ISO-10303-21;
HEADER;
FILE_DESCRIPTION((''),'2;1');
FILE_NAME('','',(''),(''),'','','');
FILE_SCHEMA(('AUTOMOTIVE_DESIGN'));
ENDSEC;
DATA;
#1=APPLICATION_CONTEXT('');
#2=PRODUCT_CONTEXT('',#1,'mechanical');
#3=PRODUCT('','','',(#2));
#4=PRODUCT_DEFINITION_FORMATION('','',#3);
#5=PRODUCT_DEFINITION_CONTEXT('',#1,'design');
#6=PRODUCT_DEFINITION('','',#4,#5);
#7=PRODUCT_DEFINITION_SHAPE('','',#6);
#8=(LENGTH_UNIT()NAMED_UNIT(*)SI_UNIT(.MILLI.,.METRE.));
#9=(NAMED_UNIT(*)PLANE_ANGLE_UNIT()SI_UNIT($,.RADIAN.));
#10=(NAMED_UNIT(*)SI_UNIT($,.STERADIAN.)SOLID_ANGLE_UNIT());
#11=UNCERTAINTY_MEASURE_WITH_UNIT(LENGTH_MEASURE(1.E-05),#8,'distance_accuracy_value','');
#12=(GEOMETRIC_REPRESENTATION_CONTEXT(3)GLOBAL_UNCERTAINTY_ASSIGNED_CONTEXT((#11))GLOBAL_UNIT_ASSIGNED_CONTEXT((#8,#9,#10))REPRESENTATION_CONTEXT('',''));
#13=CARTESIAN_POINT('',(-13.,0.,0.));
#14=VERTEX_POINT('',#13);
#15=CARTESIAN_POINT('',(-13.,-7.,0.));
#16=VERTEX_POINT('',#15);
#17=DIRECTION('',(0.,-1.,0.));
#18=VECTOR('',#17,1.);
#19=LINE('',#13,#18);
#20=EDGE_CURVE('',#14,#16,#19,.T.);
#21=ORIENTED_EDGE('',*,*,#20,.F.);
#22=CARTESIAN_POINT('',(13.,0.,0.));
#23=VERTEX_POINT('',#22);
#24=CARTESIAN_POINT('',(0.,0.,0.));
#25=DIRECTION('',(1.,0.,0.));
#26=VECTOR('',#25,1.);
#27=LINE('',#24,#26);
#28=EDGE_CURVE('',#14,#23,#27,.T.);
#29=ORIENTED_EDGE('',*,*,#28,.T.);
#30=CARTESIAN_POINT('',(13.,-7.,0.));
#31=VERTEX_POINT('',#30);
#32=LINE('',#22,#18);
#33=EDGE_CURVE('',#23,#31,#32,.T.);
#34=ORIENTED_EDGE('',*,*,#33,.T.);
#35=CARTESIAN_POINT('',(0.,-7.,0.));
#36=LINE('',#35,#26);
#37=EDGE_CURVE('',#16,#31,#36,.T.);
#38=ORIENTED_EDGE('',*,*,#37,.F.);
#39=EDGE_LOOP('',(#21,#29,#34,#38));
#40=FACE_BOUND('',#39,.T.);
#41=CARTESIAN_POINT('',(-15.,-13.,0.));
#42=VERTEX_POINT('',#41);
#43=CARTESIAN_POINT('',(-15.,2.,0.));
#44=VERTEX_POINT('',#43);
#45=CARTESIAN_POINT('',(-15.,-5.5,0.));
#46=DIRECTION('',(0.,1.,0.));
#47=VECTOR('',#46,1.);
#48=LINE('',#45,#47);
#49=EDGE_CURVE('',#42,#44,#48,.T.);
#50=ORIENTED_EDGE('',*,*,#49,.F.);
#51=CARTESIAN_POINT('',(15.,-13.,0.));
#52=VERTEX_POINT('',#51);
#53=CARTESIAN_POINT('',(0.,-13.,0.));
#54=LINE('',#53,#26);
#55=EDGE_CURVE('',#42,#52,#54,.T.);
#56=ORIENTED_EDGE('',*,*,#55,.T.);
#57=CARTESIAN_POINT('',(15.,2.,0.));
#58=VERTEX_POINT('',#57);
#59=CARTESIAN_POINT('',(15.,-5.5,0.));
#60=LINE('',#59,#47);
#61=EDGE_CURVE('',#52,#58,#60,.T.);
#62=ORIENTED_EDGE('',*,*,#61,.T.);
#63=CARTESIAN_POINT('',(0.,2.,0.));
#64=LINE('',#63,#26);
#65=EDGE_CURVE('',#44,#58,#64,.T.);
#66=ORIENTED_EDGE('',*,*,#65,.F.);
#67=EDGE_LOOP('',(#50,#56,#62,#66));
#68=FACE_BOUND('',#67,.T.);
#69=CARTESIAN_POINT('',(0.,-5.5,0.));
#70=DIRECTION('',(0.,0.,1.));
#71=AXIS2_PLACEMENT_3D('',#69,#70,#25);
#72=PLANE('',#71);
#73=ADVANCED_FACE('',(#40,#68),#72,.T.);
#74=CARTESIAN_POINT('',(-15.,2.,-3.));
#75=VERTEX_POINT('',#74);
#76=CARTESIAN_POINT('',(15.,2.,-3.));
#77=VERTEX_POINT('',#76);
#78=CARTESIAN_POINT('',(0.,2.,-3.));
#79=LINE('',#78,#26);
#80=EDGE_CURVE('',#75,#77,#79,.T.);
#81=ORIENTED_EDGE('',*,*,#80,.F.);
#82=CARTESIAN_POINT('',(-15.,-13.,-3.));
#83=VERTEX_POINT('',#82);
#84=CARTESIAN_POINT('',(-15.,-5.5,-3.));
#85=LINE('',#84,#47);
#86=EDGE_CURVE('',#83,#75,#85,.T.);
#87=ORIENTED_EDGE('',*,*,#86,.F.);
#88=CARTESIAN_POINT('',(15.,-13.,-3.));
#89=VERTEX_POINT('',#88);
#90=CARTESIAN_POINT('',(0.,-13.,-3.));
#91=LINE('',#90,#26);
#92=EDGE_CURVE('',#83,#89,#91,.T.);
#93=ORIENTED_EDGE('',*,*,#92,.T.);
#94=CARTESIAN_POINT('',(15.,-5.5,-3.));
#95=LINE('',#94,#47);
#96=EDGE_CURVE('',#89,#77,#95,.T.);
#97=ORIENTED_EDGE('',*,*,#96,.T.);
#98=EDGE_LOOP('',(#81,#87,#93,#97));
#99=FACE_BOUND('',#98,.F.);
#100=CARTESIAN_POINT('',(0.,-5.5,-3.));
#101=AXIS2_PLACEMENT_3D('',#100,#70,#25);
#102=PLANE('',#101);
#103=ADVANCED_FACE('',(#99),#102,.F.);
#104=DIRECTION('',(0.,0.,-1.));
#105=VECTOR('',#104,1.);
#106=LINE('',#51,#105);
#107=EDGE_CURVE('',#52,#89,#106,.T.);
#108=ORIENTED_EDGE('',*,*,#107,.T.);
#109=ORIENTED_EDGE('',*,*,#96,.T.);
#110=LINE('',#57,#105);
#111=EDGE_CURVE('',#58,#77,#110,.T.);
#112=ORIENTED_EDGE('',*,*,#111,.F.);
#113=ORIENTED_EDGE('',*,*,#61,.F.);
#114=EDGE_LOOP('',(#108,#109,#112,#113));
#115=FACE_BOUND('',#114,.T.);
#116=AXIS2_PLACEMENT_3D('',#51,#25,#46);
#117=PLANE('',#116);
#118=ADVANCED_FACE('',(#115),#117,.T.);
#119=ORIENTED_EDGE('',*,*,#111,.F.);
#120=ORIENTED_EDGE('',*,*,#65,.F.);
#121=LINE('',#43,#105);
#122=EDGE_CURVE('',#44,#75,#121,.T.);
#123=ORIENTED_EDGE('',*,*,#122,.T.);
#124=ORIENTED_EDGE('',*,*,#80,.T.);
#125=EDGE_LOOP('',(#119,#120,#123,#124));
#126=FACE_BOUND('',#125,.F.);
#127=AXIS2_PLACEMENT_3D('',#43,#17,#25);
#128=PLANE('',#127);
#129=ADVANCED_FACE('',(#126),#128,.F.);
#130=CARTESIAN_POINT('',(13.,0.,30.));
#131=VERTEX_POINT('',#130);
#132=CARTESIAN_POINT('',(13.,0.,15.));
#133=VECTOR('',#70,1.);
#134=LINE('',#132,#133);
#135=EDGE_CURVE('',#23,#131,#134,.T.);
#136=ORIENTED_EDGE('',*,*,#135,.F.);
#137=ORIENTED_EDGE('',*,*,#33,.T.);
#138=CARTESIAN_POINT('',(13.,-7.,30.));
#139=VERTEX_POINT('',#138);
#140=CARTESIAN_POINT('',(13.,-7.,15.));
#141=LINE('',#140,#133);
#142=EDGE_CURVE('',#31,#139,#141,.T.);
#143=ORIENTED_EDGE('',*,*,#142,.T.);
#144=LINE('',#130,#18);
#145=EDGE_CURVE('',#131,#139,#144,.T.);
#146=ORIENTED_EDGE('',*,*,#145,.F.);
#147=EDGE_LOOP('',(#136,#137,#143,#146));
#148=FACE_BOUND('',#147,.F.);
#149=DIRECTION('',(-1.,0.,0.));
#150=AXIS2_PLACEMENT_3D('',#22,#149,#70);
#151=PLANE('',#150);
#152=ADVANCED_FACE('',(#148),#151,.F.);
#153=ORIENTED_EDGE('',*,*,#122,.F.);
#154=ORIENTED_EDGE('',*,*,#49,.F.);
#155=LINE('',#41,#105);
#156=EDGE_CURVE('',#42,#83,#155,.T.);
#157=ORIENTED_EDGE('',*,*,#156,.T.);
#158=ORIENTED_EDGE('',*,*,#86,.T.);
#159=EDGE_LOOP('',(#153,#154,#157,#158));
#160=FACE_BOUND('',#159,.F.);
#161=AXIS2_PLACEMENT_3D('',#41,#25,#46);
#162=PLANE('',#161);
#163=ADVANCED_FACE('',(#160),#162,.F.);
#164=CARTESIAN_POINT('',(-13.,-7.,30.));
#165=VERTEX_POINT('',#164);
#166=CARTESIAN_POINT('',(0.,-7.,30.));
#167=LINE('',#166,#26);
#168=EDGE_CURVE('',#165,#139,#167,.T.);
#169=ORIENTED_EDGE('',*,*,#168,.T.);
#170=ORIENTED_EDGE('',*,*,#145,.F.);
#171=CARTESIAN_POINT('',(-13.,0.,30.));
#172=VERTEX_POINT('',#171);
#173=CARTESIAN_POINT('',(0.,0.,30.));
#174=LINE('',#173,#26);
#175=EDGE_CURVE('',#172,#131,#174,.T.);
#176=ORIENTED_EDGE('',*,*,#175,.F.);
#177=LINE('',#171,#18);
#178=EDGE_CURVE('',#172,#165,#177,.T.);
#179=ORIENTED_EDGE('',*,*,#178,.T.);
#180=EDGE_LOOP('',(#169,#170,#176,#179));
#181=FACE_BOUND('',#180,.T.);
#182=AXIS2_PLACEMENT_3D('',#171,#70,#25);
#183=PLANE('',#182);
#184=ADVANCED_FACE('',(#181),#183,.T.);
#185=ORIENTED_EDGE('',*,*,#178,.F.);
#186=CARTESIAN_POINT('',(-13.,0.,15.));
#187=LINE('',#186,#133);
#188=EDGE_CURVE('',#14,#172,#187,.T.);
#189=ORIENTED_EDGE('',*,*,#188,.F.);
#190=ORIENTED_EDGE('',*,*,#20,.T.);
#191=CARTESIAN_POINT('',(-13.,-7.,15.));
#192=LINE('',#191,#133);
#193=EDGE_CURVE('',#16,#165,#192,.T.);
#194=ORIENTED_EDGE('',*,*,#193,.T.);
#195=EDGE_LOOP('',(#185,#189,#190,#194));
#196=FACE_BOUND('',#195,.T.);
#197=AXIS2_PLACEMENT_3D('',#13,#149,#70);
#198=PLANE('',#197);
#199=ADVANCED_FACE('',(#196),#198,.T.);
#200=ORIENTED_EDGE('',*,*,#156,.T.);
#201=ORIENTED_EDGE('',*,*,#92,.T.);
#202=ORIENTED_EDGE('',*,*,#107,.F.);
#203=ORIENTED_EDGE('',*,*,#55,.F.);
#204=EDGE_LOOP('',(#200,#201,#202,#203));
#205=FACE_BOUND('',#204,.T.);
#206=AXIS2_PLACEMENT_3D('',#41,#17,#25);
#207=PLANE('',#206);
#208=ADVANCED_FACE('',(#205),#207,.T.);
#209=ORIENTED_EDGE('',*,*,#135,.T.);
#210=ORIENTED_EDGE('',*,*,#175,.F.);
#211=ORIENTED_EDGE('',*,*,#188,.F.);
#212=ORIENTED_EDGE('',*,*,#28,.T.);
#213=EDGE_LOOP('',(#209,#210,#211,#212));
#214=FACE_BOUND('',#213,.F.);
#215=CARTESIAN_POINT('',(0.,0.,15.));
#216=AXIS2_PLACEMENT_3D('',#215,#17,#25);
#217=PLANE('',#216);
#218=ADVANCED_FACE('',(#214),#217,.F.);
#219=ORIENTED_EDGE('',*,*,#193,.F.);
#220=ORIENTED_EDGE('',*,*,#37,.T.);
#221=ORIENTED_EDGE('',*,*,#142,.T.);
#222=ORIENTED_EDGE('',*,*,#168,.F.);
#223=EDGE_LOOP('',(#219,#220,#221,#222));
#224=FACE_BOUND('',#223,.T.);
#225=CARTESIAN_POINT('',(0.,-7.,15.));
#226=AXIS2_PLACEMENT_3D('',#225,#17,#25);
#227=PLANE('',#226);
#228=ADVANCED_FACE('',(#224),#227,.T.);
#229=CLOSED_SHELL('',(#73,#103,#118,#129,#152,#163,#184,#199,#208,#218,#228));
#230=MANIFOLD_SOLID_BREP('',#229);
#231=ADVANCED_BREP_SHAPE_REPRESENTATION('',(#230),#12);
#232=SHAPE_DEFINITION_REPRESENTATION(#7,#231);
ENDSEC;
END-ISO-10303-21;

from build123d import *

# Parameters (mm, degrees)
F0_W     = 26
F0_H     = 30
F1_DEPTH = 7
F2_W     = 30
F2_H     = 15
F3_DEPTH = 3


with BuildPart() as f1:
    # F0 (on Front) → F1 (new body)
    with BuildSketch(Plane.XZ):
        with Locations((0, 15)):
            Rectangle(F0_W, F0_H)
    extrude(amount=F1_DEPTH)

    # F2 (on Top) → F3 (join)
    with BuildSketch(Plane.XY):
        with Locations((0, -5.5)):
            Rectangle(F2_W, F2_H)
    extrude(amount=-F3_DEPTH)


solid = f1.part
